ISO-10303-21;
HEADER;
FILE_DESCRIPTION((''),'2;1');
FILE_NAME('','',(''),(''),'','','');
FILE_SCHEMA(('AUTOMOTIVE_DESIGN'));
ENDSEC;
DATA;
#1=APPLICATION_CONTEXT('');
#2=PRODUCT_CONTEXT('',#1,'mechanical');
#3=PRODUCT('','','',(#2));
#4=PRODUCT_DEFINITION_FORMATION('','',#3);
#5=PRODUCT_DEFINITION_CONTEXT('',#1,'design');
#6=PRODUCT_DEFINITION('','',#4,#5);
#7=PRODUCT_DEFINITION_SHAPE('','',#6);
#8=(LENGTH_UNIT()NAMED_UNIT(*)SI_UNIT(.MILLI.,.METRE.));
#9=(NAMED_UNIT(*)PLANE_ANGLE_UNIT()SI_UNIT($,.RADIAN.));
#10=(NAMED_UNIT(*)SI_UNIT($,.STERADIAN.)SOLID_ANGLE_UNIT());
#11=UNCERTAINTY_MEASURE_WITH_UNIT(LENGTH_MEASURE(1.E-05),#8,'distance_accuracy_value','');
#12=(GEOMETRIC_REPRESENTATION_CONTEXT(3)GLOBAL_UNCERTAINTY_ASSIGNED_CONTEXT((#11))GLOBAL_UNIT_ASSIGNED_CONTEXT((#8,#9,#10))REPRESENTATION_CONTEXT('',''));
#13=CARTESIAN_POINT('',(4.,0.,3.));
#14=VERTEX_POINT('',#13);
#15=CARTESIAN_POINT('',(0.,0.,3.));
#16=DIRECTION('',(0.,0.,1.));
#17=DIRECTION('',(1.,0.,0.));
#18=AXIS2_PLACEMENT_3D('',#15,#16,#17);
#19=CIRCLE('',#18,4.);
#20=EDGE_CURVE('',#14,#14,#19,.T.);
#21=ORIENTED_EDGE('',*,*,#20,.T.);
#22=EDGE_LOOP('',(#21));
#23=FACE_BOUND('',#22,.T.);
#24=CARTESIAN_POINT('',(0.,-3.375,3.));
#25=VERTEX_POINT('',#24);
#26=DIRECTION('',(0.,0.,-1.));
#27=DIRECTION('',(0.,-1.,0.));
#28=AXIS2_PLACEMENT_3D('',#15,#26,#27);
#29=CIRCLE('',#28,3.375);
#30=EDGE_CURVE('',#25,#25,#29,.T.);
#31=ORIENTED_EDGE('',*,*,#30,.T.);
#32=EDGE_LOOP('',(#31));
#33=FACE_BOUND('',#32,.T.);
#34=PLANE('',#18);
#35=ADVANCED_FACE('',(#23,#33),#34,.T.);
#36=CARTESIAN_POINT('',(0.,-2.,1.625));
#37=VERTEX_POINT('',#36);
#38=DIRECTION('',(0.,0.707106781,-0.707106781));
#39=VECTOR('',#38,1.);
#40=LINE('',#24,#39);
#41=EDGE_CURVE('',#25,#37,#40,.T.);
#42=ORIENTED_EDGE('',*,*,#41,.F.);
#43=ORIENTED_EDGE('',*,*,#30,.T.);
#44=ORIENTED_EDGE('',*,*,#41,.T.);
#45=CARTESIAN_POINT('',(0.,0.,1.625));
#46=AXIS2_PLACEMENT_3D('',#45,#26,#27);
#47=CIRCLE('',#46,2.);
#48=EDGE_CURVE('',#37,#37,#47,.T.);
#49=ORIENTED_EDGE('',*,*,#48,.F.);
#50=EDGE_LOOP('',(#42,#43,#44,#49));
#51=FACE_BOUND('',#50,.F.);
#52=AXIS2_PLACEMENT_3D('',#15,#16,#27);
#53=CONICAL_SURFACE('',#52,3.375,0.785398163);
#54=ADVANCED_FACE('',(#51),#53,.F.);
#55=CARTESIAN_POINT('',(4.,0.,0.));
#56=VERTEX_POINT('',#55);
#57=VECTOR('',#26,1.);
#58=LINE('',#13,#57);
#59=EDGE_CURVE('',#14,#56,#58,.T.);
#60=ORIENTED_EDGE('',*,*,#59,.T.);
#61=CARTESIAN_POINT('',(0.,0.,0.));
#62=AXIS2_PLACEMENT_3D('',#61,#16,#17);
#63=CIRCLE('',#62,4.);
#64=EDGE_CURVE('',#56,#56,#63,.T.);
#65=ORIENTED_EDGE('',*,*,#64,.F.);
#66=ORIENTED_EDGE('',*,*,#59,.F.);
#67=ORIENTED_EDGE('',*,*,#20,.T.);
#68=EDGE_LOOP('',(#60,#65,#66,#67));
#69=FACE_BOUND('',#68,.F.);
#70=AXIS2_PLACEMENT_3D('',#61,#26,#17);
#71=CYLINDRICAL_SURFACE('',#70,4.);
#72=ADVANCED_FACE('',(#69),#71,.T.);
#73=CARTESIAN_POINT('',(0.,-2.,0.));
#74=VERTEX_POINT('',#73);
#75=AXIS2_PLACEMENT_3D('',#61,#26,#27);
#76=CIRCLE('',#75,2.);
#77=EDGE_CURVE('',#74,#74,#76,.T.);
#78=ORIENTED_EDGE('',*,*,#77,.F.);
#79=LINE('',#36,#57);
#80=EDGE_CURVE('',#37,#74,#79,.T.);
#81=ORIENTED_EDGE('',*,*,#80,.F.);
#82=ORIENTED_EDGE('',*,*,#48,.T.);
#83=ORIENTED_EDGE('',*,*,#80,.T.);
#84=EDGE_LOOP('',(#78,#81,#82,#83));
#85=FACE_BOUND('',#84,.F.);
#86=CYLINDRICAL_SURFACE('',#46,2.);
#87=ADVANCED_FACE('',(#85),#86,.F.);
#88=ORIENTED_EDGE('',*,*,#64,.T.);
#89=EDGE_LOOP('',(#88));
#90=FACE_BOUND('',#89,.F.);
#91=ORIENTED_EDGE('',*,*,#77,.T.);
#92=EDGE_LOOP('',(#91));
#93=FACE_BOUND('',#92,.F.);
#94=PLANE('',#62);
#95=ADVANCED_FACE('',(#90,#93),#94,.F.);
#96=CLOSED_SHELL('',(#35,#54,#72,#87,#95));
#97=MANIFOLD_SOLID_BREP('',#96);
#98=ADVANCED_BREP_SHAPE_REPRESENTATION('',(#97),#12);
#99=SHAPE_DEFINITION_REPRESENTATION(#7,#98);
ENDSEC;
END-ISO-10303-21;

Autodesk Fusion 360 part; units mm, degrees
sketch "Sketch1" plane through (0, 0, 0) normal (0, 0, 1) x (1, 0, 0)
  circle A0 centre (0, 0) radius 3.5
  circle A1 centre (0, 0) radius 1.6
  dimension "d1" = 7
  dimension "d2" = 3.2
extrude "Extrude1" add sketch "Sketch1" along normal blind 0.5

Autodesk Fusion 360 part; units mm, degrees
sketch "Sketch1" plane through (0, 0, 0) normal (0, 0, 1) x (1, 0, 0)
  circle A0 centre (0, 0) radius 4
  dimension "d1" = 8
extrude "Extrude1" add sketch "Sketch1" along normal blind 3
hole "Hole1" at (0, 0, 3) direction (0, 0, -1) diameter 4 end through all countersink diameter 6.75 countersink angle 90
